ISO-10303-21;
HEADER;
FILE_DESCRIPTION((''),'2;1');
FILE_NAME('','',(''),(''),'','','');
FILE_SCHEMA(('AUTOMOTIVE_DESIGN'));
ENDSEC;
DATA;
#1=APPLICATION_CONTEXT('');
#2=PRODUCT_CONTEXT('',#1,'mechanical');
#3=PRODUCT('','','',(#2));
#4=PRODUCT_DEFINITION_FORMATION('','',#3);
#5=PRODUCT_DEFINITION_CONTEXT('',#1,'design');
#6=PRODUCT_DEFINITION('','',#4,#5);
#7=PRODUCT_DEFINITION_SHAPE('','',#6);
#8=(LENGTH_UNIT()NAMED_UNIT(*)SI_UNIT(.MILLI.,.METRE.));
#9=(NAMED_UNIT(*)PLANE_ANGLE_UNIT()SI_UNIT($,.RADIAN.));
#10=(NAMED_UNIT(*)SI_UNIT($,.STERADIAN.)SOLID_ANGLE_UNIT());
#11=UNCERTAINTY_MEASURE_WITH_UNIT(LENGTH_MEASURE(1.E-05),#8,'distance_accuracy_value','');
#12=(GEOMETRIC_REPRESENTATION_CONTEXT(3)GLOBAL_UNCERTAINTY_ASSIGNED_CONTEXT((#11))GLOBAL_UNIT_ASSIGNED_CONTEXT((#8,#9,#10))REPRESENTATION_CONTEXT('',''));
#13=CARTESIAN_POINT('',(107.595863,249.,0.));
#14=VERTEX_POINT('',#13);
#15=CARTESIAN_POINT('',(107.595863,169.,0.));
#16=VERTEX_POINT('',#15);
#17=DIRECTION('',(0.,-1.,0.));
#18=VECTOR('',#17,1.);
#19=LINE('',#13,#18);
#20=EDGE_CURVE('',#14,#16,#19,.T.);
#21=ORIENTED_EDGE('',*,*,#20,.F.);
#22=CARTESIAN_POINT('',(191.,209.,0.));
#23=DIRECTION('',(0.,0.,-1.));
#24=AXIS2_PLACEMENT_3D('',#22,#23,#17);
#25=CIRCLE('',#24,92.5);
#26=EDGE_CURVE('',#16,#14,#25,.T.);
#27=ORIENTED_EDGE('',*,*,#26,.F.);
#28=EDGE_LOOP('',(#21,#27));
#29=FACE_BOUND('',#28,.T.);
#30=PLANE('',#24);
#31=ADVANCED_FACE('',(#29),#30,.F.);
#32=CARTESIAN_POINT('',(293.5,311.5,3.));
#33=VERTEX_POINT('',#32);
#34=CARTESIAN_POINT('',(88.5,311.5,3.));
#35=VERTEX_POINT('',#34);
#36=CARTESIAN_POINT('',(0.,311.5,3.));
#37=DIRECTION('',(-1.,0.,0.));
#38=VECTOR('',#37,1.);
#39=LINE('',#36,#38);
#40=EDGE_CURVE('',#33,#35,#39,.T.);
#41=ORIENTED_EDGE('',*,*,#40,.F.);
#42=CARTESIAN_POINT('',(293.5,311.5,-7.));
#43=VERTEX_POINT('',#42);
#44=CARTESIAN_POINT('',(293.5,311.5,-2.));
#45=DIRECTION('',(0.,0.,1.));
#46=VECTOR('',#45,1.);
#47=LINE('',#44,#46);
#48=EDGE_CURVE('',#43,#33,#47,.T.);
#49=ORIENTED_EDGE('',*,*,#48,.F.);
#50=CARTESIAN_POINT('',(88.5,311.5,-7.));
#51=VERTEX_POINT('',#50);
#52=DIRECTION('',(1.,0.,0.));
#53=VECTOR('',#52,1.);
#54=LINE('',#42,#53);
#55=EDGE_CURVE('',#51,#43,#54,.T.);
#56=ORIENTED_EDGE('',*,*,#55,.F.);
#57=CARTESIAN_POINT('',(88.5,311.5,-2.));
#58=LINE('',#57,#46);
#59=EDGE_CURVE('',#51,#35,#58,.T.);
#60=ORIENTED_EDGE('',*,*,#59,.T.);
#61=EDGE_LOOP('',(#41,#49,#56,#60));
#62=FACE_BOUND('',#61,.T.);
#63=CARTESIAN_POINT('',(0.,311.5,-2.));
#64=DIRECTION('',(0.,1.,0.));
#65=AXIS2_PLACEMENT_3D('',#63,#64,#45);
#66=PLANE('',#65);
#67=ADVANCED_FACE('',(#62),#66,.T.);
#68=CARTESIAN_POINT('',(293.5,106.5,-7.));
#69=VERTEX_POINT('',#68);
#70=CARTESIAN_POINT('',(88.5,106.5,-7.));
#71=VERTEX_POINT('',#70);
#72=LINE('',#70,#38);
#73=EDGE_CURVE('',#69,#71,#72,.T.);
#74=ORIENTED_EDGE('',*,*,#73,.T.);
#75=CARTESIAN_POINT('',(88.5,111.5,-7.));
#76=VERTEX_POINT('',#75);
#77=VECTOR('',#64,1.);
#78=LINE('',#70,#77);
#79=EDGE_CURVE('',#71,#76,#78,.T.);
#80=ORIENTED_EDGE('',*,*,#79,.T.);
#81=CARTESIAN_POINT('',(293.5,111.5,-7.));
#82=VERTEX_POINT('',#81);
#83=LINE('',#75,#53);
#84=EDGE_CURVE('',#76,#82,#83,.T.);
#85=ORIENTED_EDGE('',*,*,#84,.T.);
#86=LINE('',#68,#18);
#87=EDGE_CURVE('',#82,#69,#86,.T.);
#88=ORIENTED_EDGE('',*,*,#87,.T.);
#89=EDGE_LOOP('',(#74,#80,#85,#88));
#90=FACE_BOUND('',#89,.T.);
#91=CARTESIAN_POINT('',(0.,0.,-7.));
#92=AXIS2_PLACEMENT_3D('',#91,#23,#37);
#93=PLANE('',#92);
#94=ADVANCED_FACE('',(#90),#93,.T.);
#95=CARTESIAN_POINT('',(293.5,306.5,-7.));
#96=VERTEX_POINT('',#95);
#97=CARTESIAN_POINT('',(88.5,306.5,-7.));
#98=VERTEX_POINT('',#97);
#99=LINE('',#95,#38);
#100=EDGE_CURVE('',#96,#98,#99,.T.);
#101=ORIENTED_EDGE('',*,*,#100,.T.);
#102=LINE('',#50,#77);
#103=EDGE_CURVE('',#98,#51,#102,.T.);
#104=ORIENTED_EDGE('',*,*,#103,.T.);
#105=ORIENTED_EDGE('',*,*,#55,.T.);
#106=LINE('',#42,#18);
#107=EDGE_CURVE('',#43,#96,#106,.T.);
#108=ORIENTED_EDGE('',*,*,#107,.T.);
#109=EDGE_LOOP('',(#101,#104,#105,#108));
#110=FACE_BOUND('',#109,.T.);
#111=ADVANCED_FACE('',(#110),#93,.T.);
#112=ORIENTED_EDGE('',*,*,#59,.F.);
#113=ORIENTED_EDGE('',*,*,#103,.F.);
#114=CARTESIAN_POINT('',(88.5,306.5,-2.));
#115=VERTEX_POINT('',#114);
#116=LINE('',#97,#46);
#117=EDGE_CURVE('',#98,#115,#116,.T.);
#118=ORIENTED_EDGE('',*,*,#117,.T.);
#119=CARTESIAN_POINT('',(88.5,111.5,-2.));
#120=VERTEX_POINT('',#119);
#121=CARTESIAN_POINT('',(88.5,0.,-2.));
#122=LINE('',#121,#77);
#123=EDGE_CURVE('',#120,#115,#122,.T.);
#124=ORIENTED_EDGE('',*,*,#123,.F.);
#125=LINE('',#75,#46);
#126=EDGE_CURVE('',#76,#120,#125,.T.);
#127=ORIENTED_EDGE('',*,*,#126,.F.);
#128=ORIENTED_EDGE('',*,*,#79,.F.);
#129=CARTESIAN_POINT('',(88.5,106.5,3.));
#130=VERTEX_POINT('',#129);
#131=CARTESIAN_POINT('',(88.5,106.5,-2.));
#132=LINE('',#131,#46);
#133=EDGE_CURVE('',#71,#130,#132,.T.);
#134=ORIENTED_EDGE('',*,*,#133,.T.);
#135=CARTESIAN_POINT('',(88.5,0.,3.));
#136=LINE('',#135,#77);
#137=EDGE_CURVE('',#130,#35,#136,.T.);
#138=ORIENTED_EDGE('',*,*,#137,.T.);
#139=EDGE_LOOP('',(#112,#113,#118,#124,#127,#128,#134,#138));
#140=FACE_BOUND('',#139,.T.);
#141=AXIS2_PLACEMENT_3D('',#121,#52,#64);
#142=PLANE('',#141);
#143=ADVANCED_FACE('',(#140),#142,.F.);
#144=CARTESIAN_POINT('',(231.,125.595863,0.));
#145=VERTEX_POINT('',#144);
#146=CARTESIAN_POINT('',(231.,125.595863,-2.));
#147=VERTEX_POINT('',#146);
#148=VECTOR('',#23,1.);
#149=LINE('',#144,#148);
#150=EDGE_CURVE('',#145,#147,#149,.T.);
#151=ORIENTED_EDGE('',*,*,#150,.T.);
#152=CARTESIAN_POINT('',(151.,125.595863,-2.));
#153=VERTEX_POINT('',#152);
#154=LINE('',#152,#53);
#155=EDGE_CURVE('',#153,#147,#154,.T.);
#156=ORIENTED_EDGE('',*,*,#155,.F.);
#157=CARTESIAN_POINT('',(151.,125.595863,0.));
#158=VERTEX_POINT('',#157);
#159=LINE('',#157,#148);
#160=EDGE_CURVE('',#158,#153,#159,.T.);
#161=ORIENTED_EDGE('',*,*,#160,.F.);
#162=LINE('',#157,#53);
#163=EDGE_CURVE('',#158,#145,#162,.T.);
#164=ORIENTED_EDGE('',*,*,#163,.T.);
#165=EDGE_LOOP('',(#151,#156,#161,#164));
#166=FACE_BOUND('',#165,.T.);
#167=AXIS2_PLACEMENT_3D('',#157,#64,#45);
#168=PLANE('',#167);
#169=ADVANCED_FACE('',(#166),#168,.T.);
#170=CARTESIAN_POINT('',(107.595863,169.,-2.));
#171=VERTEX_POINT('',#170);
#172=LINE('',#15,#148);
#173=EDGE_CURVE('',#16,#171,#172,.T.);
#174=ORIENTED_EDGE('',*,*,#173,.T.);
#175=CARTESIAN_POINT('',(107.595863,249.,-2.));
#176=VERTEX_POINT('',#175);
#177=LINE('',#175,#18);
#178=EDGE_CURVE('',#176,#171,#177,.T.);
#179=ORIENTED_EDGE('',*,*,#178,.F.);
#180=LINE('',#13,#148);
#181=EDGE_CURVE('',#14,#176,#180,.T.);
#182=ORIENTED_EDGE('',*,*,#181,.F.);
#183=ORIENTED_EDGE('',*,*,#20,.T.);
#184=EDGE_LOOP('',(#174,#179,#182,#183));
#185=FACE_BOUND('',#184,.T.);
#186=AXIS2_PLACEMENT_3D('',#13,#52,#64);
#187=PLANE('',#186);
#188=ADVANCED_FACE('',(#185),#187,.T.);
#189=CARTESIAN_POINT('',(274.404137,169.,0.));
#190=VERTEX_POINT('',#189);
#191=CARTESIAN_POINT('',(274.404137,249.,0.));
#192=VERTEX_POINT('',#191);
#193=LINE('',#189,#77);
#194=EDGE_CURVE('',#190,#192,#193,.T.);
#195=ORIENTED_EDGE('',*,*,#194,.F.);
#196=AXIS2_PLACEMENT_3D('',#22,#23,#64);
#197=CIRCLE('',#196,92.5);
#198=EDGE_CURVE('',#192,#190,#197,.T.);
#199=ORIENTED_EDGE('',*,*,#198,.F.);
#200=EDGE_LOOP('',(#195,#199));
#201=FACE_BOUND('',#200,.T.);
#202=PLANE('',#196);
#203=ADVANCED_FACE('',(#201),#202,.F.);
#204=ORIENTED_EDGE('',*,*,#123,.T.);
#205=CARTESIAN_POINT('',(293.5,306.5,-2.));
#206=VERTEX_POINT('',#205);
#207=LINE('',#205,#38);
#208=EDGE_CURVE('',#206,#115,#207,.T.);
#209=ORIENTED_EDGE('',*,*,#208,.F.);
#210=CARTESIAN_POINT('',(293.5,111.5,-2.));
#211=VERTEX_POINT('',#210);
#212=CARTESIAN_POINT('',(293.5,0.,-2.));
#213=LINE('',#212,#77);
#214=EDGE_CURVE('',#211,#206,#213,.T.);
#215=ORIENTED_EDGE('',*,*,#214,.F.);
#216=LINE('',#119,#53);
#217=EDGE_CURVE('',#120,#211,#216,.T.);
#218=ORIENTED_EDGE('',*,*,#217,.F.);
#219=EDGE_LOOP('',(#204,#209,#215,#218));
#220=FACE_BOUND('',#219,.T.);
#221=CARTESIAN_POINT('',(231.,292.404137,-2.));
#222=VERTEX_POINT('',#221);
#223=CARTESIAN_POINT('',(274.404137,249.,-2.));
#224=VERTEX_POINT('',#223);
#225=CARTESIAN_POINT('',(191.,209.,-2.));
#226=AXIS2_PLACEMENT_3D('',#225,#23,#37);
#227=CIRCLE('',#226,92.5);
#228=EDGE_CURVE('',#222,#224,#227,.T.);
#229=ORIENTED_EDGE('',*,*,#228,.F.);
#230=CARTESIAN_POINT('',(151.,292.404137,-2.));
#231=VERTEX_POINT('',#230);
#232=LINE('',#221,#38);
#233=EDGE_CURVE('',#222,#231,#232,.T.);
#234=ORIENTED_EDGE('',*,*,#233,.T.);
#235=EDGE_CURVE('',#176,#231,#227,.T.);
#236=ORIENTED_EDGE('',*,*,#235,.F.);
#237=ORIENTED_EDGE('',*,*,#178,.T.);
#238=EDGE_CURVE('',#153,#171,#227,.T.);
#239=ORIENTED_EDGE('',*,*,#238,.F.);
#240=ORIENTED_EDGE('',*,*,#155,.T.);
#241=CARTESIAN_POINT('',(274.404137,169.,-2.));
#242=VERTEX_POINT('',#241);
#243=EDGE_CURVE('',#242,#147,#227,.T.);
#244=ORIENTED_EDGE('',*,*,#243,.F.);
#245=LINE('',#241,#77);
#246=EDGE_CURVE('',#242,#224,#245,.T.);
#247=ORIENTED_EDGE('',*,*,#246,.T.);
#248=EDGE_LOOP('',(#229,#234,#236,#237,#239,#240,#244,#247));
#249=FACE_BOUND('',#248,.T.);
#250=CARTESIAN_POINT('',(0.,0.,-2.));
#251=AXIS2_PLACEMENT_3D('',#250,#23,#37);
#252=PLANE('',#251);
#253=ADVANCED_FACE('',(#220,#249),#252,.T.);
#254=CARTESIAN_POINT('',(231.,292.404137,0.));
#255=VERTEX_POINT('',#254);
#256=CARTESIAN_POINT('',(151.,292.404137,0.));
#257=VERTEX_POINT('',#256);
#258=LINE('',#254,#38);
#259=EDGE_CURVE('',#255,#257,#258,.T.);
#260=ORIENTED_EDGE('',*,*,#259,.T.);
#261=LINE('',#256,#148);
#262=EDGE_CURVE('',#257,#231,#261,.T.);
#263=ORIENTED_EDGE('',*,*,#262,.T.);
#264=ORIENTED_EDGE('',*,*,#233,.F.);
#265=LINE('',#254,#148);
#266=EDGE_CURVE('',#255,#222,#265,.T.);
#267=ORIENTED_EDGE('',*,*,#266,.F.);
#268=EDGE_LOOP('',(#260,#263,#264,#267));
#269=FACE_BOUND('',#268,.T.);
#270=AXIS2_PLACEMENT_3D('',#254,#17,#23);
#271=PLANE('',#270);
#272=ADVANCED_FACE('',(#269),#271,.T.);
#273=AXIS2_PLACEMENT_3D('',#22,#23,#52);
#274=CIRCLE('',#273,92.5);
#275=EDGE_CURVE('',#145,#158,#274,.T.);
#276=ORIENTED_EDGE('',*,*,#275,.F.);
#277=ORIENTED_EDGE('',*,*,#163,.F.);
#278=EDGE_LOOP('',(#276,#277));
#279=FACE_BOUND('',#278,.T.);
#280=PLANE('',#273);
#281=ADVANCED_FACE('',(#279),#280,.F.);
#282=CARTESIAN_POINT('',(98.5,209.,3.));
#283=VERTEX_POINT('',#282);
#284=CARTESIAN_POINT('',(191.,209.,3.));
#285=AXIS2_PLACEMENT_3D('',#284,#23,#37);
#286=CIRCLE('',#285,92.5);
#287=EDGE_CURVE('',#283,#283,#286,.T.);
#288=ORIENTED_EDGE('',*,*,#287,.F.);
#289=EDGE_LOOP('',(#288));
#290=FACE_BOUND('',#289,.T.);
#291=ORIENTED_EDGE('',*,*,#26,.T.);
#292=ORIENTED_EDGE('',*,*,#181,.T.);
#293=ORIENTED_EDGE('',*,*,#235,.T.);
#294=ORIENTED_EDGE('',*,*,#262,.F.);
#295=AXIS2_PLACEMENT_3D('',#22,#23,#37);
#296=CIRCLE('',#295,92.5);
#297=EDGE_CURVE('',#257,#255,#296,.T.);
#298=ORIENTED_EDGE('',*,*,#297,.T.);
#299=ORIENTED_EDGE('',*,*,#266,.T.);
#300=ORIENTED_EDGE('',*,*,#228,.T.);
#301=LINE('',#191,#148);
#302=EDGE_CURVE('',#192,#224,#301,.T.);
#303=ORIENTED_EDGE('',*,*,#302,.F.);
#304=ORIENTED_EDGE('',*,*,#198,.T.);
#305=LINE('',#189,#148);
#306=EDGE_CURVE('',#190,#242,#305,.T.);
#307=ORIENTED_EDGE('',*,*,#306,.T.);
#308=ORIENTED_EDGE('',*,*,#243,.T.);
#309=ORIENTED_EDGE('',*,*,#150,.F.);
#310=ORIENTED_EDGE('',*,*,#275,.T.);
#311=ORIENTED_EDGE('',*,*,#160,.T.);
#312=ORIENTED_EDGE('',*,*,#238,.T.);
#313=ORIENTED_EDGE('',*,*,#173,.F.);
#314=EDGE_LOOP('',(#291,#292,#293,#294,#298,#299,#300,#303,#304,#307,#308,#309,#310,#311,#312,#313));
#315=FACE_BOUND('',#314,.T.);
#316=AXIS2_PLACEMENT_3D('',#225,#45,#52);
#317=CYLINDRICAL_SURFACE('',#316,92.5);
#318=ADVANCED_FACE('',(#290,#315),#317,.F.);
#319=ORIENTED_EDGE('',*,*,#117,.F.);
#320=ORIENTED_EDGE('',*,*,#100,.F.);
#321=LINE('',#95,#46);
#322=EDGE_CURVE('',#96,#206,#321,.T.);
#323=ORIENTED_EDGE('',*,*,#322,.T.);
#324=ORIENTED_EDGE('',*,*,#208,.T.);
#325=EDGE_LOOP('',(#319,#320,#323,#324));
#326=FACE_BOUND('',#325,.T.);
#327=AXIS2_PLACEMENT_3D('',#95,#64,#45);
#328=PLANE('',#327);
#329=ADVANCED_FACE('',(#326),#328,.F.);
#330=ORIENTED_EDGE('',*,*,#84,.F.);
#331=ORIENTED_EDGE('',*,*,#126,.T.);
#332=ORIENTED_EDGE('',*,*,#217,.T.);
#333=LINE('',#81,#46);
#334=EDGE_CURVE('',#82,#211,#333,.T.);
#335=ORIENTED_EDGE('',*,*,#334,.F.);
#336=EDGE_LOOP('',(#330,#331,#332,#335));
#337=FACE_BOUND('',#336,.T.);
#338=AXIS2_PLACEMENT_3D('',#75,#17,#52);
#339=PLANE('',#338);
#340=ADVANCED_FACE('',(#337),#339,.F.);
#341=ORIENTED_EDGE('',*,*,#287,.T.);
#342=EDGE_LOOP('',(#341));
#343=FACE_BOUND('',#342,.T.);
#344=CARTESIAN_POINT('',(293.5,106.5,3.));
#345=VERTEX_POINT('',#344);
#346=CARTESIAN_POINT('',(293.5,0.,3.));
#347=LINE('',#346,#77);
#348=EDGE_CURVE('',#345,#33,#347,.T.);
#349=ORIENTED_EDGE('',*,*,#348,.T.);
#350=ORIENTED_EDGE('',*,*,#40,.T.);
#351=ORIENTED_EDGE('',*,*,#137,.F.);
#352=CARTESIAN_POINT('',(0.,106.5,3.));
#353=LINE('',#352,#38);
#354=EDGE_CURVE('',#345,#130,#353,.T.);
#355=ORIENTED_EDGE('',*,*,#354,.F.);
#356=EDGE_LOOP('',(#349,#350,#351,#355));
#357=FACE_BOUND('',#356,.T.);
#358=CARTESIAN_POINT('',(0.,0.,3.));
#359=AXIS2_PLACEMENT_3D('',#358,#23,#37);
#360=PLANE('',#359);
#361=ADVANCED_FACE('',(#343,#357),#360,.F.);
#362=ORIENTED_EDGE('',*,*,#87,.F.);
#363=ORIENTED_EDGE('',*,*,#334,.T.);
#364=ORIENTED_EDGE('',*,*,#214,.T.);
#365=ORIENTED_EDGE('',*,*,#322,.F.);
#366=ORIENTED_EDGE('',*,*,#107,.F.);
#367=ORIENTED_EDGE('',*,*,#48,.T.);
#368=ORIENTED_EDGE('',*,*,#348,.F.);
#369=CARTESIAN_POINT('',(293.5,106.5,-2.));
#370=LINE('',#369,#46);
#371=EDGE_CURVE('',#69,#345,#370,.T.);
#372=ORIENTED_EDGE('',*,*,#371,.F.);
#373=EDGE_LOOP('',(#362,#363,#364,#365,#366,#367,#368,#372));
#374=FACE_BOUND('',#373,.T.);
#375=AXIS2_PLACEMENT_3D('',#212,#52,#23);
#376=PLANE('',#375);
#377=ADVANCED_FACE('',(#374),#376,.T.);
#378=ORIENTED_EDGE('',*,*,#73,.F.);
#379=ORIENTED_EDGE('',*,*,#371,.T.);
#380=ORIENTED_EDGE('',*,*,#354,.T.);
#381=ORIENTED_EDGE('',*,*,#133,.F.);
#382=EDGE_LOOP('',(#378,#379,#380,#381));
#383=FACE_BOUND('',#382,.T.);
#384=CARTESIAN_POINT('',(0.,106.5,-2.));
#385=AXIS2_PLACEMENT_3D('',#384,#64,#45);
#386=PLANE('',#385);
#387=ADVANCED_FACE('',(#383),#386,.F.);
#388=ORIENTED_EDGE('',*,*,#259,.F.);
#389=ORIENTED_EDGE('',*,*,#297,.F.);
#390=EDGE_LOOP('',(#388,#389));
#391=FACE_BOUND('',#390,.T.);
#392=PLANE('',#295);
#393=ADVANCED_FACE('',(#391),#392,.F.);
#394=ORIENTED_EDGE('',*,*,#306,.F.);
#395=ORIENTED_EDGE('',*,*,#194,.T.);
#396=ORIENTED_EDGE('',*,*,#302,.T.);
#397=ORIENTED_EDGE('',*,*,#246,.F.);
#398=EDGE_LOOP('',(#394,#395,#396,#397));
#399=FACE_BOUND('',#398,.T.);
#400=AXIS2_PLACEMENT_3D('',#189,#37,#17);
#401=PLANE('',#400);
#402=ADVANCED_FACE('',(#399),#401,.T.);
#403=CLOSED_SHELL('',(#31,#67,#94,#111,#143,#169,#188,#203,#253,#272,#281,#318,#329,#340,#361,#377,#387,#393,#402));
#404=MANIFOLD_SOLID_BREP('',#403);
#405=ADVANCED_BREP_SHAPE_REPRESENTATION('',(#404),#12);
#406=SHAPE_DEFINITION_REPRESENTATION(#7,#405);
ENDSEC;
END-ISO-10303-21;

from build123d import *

# Parameters (mm, degrees)
SKETCH_7_W               = 400
SKETCH_7_H               = 400
EXTRUDE_1_DEPTH          = 3
SKETCH_8_W               = 380
SKETCH_8_H               = 2
EXTRUDE_2_DEPTH          = 140
SKETCH_9_W               = 2
SKETCH_9_H               = 382
EXTRUDE_3_DEPTH          = 140
PATTERN_LINEAR_1_COUNT   = 12
PATTERN_LINEAR_1_PITCH   = 30
PATTERN_LINEAR_3_COUNT   = 12
PATTERN_LINEAR_3_PITCH   = 30
SKETCH_11_W              = 400
SKETCH_11_H              = 400
CUT_EXTRUDE_1_DEPTH      = 3
CUT_EXTRUDE_2_DEPTH      = 570.034269618
CUT_EXTRUDE_2_DEPTH_BACK = 570.034269618
SKETCH_12_R              = 300
SKETCH_12_R_2            = 90
SKETCH_13_R              = 92.5
SKETCH_13_R_2            = 89.5
EXTRUDE_8_DEPTH          = 140
SKETCH_14_W              = 205
SKETCH_14_H              = 205
SKETCH_14_W_2            = 185
SKETCH_14_H_2            = 185
EXTRUDE_9_DEPTH          = 5
EXTRUDE_10_DEPTH         = 2
PATTERN_CIRCULAR_1_COUNT = 4
CUT_EXTRUDE_START        = -140
SKETCH_16_R              = 92.5
CUT_EXTRUDE_3_DEPTH      = 140
SKETCH_17_W              = 205
SKETCH_17_H              = 5
EXTRUDE_11_DEPTH         = 5


with BuildPart() as part:
    # 草图7 → 凸台-拉伸1 (new body)
    with BuildSketch(Plane.XY):
        with Locations((200, 200)):
            Rectangle(SKETCH_7_W, SKETCH_7_H)
    extrude(amount=EXTRUDE_1_DEPTH)

    # 草图8 → 凸台-拉伸2 (add)
    with BuildSketch(Plane.XY.offset(3)):
        with Locations((200, 389)):
            Rectangle(SKETCH_8_W, SKETCH_8_H)
    extrude_2 = extrude(amount=EXTRUDE_2_DEPTH)

    # 草图9 → 凸台-拉伸3 (add)
    with BuildSketch(Plane.XY.offset(3)):
        with Locations((11, 199)):
            Rectangle(SKETCH_9_W, SKETCH_9_H)
    extrude_3 = extrude(amount=EXTRUDE_3_DEPTH)

    # 阵列(线性)1: 凸台-拉伸3 ×12
    with Locations(*[(i * PATTERN_LINEAR_1_PITCH, 0, 0) for i in range(1, PATTERN_LINEAR_1_COUNT)]):
        add(extrude_3)

    # 阵列(线性)3: 凸台-拉伸2 ×12
    with Locations(*[(0, -i * PATTERN_LINEAR_3_PITCH, 0) for i in range(1, PATTERN_LINEAR_3_COUNT)]):
        add(extrude_2)

    # 草图11 → 切除-拉伸1 (cut)
    with BuildSketch(Plane(origin=(0, 0, 0), x_dir=(-1, 0, 0), z_dir=(0, 0, -1))):
        with Locations((-200, 200)):
            Rectangle(SKETCH_11_W, SKETCH_11_H)
    extrude(amount=-CUT_EXTRUDE_1_DEPTH, mode=Mode.SUBTRACT)

    # 草图12 → 切除-拉伸2 (cut, two sides: drawn at the far end of the back side and taken through both)
    with BuildSketch(Plane(origin=(0, 0, 3), x_dir=(-1, 0, 0), z_dir=(0, 0, -1)).offset(-CUT_EXTRUDE_2_DEPTH_BACK)):
        with Locations((-191, 208.958405787)):
            Circle(SKETCH_12_R)
        with Locations((-191, 208.958405787)):
            Circle(SKETCH_12_R_2, mode=Mode.SUBTRACT)
    extrude(amount=CUT_EXTRUDE_2_DEPTH + CUT_EXTRUDE_2_DEPTH_BACK, mode=Mode.SUBTRACT)

    # 草图13 → 凸台-拉伸8 (add)
    with BuildSketch(Plane(origin=(0, 0, 3), x_dir=(-1, 0, 0), z_dir=(0, 0, -1))):
        with Locations((-191, 209)):
            Circle(SKETCH_13_R)
        with Locations((-191, 209)):
            Circle(SKETCH_13_R_2, mode=Mode.SUBTRACT)
    extrude(amount=-EXTRUDE_8_DEPTH)

    # 草图16 → 切除-拉伸3 (cut)
    with BuildSketch(Plane.XY.offset(143).offset(CUT_EXTRUDE_START)):
        with Locations(Location((191, 209, 0), (0, 0, 25.622027747))):
            Circle(SKETCH_16_R)
    extrude(amount=CUT_EXTRUDE_3_DEPTH, mode=Mode.SUBTRACT)


with BuildPart() as body_2:
    # 草图14 → 凸台-拉伸9 (new body)
    # profile 1 of 5: a face of its own
    with BuildSketch(Plane(origin=(0, 0, 3), x_dir=(-1, 0, 0), z_dir=(0, 0, -1))):
        with Locations((-191, 209)):
            Rectangle(SKETCH_14_W, SKETCH_14_H)
        with Locations((-191, 209)):
            Rectangle(SKETCH_14_W_2, SKETCH_14_H_2, mode=Mode.SUBTRACT)
    # profile 2 of 5: a face of its own
    with BuildSketch(Plane(origin=(0, 0, 3), x_dir=(-1, 0, 0), z_dir=(0, 0, -1))):
        with BuildLine():
            Line((-283.5, 209), (-283.5, 116.5))
            Line((-283.5, 116.5), (-191, 116.5))
            ThreePointArc((-191, 116.5), (-256.40737726, 143.59262274), (-283.5, 209))
        make_face()
    # profile 3 of 5: a face of its own
    with BuildSketch(Plane(origin=(0, 0, 3), x_dir=(-1, 0, 0), z_dir=(0, 0, -1))):
        with BuildLine():
            Line((-283.5, 301.5), (-283.5, 209))
            ThreePointArc((-283.5, 209), (-256.40737726, 274.40737726), (-191, 301.5))
            Line((-191, 301.5), (-283.5, 301.5))
        make_face()
    # profile 4 of 5: a face of its own
    with BuildSketch(Plane(origin=(0, 0, 3), x_dir=(-1, 0, 0), z_dir=(0, 0, -1))):
        with BuildLine():
            Line((-98.5, 301.5), (-191, 301.5))
            ThreePointArc((-191, 301.5), (-125.59262274, 274.40737726), (-98.5, 209))
            Line((-98.5, 209), (-98.5, 301.5))
        make_face()
    # profile 5 of 5: a face of its own
    with BuildSketch(Plane(origin=(0, 0, 3), x_dir=(-1, 0, 0), z_dir=(0, 0, -1))):
        with BuildLine():
            ThreePointArc((-98.5, 209), (-125.59262274, 143.59262274), (-191, 116.5))
            Line((-191, 116.5), (-98.5, 116.5))
            Line((-98.5, 116.5), (-98.5, 209))
        make_face()
    extrude(amount=EXTRUDE_9_DEPTH)

    # 草图15 → 凸台-拉伸10 (add)
    with BuildSketch(Plane(origin=(0, 0, -2), x_dir=(-1, 0, 0), z_dir=(0, 0, -1))):
        with BuildLine():
            Line((-231, 292.404136588), (-151, 292.404136588))
            ThreePointArc((-151, 292.404136588), (-191, 301.5), (-231, 292.404136588))
        make_face()
    extrude_10 = extrude(amount=-EXTRUDE_10_DEPTH)

    # 阵列(圆周)1: 凸台-拉伸10 ×4 about axis
    pattern_circular_1_axis = Axis((191, 209, 0), (0, 0, 1))
    for i in range(1, PATTERN_CIRCULAR_1_COUNT):
        add(extrude_10.rotate(pattern_circular_1_axis, i * 360 / PATTERN_CIRCULAR_1_COUNT))

    # 草图17 → 凸台-拉伸11 (add)
    with BuildSketch(Plane(origin=(0, 0, -2), x_dir=(-1, 0, 0), z_dir=(0, 0, -1))):
        with Locations((-191, 309)):
            Rectangle(SKETCH_17_W, SKETCH_17_H)
        with Locations((-191, 109)):
            Rectangle(SKETCH_17_W, SKETCH_17_H)
    extrude(amount=EXTRUDE_11_DEPTH)


solid = body_2.part
